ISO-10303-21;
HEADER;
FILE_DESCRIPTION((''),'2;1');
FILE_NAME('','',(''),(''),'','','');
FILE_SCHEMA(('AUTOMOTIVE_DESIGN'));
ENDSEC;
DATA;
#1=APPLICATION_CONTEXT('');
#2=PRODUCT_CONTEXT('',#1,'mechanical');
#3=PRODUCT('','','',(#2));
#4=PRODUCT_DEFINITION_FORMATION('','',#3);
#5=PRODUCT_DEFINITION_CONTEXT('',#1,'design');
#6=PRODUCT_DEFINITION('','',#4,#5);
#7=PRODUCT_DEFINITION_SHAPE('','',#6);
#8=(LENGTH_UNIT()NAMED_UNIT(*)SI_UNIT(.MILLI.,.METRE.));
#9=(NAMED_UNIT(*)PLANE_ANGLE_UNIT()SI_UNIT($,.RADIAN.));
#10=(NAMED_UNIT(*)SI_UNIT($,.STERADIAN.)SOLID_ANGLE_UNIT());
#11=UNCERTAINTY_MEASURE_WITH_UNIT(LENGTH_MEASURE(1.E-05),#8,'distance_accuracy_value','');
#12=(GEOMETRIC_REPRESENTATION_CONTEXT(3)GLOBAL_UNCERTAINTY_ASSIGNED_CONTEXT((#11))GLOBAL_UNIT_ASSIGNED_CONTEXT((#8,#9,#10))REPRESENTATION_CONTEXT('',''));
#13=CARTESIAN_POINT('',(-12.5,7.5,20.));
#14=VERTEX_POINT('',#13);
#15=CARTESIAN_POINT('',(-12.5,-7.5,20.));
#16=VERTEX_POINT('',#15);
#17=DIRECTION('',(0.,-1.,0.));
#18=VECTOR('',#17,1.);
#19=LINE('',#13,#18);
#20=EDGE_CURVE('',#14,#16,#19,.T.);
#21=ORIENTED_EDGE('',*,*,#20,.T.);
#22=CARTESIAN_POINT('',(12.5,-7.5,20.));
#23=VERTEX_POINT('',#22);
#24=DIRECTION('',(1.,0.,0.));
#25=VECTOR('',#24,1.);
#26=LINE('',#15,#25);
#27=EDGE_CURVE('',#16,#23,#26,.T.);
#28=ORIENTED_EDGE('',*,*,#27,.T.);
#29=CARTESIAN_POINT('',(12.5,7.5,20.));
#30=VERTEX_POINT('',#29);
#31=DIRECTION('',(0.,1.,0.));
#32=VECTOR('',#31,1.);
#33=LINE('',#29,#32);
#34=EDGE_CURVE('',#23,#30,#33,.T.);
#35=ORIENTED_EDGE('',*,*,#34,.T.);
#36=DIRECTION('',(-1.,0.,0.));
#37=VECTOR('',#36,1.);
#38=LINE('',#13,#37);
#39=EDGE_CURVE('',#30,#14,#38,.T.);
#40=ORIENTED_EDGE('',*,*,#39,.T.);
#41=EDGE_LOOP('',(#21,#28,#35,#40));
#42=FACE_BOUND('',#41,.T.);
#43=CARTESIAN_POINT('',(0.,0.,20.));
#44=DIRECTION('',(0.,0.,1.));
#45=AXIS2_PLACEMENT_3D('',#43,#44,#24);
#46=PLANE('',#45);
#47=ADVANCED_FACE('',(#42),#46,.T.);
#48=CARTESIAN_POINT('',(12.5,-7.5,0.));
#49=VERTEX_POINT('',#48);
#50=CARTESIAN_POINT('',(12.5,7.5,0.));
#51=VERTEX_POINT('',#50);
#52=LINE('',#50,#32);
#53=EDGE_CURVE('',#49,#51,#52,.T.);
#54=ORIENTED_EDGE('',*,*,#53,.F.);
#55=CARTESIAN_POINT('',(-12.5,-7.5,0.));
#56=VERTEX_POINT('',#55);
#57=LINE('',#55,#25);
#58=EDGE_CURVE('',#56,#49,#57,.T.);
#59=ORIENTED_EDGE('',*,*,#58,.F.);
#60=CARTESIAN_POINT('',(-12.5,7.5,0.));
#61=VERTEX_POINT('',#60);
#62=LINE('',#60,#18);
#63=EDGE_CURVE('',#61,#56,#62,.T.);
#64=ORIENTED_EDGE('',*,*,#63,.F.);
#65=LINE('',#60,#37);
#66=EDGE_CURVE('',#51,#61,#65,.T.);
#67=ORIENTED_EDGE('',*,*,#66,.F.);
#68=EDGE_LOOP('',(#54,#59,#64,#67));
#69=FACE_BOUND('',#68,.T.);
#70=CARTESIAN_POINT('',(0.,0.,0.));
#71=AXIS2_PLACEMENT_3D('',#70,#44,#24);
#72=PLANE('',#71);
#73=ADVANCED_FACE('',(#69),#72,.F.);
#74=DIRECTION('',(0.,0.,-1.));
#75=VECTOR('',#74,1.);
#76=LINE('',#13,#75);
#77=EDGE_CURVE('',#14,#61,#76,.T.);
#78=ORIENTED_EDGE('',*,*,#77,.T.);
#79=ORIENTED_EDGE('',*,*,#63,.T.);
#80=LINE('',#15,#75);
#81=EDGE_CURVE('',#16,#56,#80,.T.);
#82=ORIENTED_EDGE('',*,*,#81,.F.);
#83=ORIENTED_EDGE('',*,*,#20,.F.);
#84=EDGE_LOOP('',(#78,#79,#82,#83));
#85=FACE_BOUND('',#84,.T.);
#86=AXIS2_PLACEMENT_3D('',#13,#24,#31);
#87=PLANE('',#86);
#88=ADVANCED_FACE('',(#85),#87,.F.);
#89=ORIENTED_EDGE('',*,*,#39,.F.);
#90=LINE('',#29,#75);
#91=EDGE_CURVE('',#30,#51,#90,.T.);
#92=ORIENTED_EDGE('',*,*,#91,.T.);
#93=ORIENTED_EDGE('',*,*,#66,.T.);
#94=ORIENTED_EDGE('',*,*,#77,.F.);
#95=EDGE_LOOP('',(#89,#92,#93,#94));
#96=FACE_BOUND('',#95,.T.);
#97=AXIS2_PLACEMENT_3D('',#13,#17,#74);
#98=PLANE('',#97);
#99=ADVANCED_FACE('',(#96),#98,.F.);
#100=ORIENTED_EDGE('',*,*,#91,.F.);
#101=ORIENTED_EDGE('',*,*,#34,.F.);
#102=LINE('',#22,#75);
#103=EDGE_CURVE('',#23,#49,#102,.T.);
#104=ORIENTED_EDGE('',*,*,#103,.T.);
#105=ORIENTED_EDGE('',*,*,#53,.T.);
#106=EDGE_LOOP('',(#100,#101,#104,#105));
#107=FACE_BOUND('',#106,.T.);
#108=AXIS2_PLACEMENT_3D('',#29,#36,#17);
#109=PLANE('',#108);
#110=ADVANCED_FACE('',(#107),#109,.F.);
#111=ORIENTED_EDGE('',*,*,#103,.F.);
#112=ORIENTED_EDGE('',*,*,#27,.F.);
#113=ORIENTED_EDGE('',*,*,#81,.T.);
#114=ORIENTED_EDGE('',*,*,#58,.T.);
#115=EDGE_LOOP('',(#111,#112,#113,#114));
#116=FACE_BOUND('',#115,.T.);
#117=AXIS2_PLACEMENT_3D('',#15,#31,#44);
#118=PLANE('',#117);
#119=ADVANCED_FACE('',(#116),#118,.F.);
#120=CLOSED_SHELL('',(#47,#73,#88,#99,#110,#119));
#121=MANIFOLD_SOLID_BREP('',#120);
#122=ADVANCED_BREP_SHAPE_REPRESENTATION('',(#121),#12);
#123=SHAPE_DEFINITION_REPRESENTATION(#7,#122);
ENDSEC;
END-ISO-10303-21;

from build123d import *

# Parameters (mm, degrees)
SKETCH_1_W      = 25
SKETCH_1_H      = 15
EXTRUDE_1_DEPTH = 20


with BuildPart() as part:
    # 草图1 → 凸台-拉伸1 (new body)
    with BuildSketch(Plane.XY):
        Rectangle(SKETCH_1_W, SKETCH_1_H)
    extrude(amount=EXTRUDE_1_DEPTH)


solid = part.part
